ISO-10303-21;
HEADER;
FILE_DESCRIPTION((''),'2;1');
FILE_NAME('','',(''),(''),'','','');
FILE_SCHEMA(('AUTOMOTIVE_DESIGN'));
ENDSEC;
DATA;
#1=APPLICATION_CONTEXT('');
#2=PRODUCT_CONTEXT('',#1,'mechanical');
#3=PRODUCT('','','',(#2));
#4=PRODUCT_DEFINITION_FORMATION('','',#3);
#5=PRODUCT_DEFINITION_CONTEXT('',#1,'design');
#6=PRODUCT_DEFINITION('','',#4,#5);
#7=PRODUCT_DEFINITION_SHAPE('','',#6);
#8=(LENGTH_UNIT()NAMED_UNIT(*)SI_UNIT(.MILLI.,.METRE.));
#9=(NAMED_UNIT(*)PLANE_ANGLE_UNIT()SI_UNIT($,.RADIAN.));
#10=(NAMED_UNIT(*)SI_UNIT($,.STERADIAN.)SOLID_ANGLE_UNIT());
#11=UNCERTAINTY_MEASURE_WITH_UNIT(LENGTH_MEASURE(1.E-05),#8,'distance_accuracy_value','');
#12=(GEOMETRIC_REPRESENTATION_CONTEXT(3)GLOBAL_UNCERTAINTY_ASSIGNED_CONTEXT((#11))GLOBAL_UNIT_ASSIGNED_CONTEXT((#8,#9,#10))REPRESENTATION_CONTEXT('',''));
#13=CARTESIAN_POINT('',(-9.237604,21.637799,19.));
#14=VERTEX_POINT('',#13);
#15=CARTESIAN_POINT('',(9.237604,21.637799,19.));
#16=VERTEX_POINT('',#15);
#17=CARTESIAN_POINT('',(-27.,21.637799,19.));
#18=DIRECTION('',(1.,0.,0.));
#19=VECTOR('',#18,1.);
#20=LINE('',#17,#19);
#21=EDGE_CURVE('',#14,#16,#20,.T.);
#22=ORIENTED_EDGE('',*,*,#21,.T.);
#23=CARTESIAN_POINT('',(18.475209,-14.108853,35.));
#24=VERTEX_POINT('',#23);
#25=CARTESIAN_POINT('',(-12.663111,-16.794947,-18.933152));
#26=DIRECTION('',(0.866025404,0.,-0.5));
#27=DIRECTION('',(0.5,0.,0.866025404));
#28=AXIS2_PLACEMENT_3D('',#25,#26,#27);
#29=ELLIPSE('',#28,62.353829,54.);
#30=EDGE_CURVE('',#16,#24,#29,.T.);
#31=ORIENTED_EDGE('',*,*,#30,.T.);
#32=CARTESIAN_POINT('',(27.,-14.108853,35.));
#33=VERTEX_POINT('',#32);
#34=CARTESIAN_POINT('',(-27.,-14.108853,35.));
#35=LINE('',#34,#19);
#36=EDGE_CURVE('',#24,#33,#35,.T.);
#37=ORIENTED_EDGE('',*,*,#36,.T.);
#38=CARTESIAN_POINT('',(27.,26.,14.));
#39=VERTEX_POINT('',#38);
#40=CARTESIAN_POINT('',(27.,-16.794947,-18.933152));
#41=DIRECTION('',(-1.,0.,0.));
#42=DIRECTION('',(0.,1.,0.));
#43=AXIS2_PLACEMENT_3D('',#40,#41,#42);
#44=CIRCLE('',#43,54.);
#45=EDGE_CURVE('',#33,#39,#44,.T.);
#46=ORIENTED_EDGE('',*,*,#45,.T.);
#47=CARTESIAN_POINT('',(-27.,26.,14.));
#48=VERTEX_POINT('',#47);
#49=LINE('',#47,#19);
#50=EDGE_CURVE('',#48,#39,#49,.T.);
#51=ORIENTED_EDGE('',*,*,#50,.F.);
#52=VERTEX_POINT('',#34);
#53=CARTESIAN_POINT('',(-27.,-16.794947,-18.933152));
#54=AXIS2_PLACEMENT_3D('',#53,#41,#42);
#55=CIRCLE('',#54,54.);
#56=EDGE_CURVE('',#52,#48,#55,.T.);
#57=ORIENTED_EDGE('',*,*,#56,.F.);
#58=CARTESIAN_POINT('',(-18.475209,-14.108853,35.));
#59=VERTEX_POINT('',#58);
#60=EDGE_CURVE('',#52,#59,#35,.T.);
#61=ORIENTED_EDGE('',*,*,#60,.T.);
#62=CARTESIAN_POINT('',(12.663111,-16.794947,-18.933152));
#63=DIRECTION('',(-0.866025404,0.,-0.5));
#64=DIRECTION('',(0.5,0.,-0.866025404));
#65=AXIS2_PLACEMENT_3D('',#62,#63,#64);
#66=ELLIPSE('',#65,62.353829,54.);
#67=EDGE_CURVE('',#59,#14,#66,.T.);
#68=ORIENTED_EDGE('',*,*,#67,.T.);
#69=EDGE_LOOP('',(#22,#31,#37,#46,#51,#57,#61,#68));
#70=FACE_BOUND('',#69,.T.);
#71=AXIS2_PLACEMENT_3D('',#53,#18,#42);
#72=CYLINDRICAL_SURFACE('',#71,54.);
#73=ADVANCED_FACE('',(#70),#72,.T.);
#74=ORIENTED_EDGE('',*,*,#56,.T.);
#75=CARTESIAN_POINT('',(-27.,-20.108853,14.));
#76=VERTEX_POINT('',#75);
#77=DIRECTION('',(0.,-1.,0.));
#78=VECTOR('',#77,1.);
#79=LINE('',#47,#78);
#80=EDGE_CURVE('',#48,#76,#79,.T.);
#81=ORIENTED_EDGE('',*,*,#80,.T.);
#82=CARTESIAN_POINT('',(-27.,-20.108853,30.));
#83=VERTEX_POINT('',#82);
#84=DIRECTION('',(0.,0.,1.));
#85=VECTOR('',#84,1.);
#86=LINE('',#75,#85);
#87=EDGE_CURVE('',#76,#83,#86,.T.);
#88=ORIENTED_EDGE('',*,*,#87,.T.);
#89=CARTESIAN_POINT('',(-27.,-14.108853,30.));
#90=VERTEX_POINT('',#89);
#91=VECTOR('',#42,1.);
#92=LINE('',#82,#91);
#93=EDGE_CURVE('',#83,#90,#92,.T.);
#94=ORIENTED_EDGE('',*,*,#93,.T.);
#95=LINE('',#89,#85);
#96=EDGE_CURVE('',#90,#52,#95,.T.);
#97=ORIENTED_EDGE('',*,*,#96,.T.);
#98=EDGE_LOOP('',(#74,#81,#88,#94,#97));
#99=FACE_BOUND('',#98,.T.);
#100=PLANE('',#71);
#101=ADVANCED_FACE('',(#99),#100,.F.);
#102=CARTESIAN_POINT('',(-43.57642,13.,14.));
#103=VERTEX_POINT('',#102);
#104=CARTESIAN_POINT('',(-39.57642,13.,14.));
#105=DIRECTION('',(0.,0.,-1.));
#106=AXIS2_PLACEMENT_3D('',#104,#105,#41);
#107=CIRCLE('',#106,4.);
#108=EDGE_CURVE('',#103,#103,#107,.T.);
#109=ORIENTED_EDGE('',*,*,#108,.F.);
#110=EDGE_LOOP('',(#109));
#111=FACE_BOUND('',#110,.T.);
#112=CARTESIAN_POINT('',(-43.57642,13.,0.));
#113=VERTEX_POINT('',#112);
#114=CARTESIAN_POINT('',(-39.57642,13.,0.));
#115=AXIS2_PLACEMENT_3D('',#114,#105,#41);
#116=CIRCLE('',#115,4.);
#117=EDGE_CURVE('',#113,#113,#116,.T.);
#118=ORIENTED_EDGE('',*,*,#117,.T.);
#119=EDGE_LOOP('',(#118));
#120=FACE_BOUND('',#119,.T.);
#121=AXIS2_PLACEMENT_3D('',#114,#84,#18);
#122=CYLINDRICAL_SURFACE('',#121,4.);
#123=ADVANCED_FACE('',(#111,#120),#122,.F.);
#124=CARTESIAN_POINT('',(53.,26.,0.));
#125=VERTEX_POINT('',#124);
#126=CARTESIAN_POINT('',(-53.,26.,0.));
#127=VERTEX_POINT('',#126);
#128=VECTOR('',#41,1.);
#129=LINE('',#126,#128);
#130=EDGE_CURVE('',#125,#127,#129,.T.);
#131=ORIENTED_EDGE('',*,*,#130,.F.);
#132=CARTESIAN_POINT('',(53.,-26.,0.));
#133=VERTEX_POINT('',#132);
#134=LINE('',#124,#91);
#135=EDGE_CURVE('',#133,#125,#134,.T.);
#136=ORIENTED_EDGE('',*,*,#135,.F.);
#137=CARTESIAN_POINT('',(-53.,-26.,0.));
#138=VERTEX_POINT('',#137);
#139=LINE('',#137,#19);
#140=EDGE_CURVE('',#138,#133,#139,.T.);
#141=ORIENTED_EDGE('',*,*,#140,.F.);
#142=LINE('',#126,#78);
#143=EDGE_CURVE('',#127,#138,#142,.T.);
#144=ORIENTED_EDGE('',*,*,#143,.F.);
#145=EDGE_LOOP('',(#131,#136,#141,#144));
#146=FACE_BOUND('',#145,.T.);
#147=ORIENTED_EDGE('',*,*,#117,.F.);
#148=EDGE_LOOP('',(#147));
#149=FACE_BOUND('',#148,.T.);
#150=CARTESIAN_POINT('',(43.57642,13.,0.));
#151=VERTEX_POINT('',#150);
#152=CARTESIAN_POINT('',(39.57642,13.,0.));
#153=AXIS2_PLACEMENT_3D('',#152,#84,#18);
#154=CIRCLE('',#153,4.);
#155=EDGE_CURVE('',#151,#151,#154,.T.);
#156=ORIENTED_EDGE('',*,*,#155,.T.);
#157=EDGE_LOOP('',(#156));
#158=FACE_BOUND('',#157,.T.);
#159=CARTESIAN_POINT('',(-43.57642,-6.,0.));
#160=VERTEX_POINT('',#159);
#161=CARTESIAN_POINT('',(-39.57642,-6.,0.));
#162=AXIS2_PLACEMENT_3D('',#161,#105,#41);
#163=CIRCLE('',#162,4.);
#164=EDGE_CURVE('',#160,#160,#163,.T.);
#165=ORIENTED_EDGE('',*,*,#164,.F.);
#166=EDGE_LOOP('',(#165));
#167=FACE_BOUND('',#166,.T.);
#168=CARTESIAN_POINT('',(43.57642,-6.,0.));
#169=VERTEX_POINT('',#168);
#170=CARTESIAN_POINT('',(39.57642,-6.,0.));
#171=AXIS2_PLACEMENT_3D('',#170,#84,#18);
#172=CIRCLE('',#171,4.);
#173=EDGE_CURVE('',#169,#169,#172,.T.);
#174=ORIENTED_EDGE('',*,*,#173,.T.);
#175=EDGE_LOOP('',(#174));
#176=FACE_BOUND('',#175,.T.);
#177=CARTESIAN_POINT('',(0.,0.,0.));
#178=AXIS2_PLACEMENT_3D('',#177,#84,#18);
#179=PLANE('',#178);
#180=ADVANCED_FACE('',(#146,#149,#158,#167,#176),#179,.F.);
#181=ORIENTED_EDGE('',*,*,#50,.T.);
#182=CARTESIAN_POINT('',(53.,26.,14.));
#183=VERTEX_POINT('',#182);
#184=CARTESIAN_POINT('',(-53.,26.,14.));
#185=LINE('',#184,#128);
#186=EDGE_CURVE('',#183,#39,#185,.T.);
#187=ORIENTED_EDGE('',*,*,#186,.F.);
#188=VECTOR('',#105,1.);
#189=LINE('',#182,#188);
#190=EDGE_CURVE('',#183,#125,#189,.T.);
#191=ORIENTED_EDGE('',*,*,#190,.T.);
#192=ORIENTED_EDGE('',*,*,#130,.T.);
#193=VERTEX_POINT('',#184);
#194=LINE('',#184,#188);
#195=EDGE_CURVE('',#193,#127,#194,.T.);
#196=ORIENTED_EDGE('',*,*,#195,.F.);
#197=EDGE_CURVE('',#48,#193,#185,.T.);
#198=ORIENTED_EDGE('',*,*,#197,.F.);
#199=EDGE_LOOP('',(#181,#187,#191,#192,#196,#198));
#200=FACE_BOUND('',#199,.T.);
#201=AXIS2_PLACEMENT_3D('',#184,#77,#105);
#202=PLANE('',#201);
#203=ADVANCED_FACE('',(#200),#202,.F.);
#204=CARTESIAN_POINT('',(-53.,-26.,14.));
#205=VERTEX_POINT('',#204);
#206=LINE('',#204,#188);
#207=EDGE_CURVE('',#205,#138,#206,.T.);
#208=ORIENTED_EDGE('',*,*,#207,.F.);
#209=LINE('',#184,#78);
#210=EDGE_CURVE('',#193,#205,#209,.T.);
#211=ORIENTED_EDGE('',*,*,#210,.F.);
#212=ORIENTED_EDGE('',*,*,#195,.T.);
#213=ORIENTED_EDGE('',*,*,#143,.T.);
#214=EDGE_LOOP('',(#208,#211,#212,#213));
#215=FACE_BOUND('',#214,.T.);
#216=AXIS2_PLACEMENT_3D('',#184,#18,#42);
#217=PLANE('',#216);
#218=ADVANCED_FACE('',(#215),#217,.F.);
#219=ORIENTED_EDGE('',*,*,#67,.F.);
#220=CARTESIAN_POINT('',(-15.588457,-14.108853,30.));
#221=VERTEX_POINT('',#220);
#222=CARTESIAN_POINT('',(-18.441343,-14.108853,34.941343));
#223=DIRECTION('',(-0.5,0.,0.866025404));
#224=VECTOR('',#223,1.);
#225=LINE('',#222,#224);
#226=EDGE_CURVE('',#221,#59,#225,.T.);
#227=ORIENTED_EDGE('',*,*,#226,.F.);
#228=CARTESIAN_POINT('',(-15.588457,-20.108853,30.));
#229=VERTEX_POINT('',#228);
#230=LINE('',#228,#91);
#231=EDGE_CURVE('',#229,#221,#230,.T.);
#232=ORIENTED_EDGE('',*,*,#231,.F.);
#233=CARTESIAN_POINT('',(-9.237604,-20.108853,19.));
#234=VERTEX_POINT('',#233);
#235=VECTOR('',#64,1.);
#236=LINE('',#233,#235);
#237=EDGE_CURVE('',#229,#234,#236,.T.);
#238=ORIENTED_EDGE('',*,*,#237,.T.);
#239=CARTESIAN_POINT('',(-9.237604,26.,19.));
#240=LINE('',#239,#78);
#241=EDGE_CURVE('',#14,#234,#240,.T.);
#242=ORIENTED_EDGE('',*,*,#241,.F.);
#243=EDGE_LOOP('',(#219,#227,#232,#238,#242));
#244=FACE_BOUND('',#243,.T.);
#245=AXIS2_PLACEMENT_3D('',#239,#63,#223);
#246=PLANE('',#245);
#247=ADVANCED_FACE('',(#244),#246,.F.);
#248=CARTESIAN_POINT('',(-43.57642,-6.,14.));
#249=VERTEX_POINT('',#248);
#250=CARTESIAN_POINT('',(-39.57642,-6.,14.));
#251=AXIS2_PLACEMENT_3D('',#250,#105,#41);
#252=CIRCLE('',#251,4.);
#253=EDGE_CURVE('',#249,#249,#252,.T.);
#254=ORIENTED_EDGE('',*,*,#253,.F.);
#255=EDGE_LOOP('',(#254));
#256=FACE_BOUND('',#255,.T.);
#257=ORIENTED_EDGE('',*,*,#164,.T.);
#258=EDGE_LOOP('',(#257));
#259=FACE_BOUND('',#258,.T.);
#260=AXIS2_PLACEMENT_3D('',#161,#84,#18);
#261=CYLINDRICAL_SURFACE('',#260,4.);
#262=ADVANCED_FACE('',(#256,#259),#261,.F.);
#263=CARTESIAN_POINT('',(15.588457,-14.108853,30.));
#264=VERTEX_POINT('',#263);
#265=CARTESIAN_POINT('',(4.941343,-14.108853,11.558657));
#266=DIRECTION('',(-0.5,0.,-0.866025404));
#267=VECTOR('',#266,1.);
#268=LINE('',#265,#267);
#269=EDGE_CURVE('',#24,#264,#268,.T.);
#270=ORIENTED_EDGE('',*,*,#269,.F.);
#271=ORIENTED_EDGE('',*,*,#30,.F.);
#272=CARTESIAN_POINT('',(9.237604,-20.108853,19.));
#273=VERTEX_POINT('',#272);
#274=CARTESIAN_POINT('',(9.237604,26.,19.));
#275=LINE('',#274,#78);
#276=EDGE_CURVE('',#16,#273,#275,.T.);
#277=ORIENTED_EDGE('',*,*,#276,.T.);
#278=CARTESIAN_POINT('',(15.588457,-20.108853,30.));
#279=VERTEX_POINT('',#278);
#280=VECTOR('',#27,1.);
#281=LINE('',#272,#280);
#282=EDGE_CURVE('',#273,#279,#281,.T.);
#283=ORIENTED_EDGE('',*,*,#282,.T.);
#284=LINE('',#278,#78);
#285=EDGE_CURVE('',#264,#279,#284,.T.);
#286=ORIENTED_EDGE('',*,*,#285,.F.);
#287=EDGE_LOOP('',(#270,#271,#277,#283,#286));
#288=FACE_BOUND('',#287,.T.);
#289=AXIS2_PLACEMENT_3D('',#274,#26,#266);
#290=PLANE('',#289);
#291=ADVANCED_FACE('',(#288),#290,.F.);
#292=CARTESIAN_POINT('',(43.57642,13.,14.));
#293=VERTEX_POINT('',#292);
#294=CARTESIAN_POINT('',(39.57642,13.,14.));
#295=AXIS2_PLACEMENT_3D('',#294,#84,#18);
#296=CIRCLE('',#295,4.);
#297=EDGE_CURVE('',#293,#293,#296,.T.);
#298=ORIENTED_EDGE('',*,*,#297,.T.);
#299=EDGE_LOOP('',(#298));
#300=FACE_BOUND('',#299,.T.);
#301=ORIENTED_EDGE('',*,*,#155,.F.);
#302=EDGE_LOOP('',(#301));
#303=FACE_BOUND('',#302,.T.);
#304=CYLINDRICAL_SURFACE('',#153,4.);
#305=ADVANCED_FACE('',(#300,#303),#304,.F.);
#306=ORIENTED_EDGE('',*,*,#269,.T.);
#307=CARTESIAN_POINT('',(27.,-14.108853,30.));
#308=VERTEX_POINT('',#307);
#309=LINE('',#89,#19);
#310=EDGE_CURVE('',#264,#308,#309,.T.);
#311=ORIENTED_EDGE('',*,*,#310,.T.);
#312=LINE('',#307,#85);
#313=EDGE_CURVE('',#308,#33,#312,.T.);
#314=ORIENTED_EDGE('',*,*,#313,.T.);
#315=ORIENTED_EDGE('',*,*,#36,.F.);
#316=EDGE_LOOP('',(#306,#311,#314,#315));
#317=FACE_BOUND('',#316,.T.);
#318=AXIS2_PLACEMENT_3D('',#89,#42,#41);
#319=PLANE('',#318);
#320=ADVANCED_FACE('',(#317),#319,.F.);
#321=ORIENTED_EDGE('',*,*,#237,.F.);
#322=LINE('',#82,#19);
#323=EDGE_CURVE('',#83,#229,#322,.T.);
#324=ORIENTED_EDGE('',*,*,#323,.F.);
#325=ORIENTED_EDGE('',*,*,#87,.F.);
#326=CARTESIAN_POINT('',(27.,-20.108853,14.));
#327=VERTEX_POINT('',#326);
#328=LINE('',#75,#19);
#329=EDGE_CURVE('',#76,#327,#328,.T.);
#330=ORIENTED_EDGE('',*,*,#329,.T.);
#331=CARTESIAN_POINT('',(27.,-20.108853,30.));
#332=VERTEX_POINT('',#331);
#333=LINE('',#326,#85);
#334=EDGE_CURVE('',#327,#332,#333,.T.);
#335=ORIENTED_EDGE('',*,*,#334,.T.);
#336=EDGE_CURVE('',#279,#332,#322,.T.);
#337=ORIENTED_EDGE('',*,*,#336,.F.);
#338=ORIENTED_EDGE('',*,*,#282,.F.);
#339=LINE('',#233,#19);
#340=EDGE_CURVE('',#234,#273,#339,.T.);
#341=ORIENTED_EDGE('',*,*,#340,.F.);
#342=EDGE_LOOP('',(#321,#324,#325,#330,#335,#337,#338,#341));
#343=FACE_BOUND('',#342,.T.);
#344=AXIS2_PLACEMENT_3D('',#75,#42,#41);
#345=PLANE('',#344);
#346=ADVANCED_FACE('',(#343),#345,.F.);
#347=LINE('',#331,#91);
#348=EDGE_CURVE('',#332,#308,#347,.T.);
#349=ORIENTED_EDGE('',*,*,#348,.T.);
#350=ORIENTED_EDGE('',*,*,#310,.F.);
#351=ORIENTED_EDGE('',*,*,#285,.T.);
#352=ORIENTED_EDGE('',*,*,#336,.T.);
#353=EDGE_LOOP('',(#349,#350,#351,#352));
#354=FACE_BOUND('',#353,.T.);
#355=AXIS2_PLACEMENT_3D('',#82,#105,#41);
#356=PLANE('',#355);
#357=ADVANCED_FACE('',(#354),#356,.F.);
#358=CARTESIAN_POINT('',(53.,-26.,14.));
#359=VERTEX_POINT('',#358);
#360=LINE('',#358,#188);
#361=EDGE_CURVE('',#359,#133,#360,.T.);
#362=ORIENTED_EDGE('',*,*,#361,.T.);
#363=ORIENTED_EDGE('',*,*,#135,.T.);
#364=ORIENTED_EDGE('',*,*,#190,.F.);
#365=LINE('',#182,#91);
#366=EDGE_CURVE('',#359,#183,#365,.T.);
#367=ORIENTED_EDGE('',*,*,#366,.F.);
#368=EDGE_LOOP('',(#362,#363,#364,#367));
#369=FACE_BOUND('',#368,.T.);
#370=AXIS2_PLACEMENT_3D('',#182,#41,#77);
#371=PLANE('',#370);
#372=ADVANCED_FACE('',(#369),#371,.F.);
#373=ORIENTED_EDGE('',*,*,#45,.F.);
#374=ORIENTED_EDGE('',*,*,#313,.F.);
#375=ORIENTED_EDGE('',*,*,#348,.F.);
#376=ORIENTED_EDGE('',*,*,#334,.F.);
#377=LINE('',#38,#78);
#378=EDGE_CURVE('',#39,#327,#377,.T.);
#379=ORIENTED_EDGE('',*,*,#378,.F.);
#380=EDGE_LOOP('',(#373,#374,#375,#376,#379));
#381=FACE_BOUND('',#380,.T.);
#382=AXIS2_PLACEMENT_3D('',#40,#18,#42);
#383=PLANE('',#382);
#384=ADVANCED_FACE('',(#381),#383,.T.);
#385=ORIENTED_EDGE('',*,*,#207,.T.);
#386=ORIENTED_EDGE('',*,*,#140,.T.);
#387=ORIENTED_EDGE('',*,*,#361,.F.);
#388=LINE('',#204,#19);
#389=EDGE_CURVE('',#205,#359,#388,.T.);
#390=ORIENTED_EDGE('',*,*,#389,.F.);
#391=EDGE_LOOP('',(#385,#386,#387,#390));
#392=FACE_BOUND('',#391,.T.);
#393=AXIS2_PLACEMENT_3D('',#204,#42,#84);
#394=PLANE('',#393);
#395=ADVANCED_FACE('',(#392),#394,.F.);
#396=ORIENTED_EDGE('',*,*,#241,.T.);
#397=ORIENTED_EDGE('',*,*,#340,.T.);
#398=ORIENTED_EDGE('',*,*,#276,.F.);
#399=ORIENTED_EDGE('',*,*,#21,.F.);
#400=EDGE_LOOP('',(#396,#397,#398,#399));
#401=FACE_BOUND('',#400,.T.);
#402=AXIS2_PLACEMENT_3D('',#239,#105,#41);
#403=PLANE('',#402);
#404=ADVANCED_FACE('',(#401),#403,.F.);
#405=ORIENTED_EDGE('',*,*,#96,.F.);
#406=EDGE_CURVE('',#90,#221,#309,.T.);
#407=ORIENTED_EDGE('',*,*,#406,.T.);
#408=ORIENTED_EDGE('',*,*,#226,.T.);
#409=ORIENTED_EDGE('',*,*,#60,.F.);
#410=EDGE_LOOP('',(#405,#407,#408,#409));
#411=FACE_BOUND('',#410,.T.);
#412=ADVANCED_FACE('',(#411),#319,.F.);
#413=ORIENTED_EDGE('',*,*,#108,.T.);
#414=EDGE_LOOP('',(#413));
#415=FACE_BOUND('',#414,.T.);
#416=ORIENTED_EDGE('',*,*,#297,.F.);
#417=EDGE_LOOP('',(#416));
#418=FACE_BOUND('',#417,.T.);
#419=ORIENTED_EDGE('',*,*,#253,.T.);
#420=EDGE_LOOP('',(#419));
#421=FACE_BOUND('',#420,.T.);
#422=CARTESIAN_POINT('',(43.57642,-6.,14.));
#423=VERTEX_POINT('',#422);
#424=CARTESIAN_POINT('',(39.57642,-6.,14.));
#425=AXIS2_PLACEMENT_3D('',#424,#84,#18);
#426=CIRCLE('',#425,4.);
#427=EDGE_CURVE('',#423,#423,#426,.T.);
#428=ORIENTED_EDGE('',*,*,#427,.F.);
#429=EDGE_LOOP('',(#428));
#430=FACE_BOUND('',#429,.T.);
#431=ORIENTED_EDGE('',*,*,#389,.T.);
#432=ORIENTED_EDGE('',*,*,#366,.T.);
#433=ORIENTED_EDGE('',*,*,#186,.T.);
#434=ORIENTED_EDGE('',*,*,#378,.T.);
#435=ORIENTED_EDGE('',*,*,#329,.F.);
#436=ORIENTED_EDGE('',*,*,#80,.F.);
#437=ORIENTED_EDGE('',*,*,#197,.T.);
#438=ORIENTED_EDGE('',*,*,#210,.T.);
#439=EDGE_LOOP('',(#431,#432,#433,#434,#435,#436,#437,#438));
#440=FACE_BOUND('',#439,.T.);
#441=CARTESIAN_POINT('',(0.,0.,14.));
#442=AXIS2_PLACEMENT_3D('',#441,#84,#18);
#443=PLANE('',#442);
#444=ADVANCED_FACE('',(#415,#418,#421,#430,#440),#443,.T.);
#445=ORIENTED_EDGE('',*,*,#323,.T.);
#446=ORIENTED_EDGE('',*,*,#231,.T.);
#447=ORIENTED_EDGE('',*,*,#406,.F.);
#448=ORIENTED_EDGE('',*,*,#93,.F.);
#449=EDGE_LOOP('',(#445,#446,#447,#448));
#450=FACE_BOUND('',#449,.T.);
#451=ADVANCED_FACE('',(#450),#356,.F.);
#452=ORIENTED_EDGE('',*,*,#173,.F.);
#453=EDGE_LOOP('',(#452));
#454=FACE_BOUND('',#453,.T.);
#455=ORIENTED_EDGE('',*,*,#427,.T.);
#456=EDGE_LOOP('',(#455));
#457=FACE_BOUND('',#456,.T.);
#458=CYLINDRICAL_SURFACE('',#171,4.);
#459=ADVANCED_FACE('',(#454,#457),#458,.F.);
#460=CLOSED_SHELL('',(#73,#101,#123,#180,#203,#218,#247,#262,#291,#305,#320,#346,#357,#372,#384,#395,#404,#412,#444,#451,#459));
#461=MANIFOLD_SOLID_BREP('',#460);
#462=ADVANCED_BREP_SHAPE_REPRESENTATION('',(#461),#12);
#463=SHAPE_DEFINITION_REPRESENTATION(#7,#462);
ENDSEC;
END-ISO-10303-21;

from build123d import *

# Parameters (mm, degrees)
SKETCH1_W           = 106
SKETCH1_H           = 52
BOSS_EXTRUDE1_DEPTH = 14
SKETCH2_R           = 4
CUT_EXTRUDE1_DEPTH  = 14
BOSS_EXTRUDE2_DEPTH = 27
CUT_EXTRUDE2_DEPTH  = 79.485834959


with BuildPart() as part:
    # Sketch1 → Boss-Extrude1 (new body)
    with BuildSketch(Plane.XY):
        Rectangle(SKETCH1_W, SKETCH1_H)
    extrude(amount=BOSS_EXTRUDE1_DEPTH)

    # Sketch2 → Cut-Extrude1 (cut)
    with BuildSketch(Plane.XY.offset(14)):
        with Locations((39.576420428, 13)):
            Circle(SKETCH2_R)
        with Locations((39.576420428, -6)):
            Circle(SKETCH2_R)
    cut_extrude1 = extrude(amount=-CUT_EXTRUDE1_DEPTH, mode=Mode.SUBTRACT)

    # Mirror1: Cut-Extrude1 across plane
    add(cut_extrude1.mirror(Plane.ZY), mode=Mode.SUBTRACT)

    # Sketch4 → Boss-Extrude2 (add, symmetric)
    with BuildSketch(Plane.ZY):
        with BuildLine():
            Line((14, 26), (14, -20.108852612))
            Line((14, -20.108852612), (30, -20.108852612))
            Line((30, -20.108852612), (30, -14.108852612))
            Line((30, -14.108852612), (35, -14.108852612))
            ThreePointArc((35, -14.108852612), (28.906357886, 8.252633347), (14, 26))
        make_face()
    extrude(amount=BOSS_EXTRUDE2_DEPTH, both=True)

    # Sketch6 → Cut-Extrude2 (cut, through all)
    with BuildSketch(Plane.XZ.offset(20.108852612)):
        Polygon((-9.237604307, 19), (-18.475208614, 35), (18.475208614, 35), (9.237604307, 19), align=None)
    extrude(amount=-CUT_EXTRUDE2_DEPTH, mode=Mode.SUBTRACT)


solid = part.part
